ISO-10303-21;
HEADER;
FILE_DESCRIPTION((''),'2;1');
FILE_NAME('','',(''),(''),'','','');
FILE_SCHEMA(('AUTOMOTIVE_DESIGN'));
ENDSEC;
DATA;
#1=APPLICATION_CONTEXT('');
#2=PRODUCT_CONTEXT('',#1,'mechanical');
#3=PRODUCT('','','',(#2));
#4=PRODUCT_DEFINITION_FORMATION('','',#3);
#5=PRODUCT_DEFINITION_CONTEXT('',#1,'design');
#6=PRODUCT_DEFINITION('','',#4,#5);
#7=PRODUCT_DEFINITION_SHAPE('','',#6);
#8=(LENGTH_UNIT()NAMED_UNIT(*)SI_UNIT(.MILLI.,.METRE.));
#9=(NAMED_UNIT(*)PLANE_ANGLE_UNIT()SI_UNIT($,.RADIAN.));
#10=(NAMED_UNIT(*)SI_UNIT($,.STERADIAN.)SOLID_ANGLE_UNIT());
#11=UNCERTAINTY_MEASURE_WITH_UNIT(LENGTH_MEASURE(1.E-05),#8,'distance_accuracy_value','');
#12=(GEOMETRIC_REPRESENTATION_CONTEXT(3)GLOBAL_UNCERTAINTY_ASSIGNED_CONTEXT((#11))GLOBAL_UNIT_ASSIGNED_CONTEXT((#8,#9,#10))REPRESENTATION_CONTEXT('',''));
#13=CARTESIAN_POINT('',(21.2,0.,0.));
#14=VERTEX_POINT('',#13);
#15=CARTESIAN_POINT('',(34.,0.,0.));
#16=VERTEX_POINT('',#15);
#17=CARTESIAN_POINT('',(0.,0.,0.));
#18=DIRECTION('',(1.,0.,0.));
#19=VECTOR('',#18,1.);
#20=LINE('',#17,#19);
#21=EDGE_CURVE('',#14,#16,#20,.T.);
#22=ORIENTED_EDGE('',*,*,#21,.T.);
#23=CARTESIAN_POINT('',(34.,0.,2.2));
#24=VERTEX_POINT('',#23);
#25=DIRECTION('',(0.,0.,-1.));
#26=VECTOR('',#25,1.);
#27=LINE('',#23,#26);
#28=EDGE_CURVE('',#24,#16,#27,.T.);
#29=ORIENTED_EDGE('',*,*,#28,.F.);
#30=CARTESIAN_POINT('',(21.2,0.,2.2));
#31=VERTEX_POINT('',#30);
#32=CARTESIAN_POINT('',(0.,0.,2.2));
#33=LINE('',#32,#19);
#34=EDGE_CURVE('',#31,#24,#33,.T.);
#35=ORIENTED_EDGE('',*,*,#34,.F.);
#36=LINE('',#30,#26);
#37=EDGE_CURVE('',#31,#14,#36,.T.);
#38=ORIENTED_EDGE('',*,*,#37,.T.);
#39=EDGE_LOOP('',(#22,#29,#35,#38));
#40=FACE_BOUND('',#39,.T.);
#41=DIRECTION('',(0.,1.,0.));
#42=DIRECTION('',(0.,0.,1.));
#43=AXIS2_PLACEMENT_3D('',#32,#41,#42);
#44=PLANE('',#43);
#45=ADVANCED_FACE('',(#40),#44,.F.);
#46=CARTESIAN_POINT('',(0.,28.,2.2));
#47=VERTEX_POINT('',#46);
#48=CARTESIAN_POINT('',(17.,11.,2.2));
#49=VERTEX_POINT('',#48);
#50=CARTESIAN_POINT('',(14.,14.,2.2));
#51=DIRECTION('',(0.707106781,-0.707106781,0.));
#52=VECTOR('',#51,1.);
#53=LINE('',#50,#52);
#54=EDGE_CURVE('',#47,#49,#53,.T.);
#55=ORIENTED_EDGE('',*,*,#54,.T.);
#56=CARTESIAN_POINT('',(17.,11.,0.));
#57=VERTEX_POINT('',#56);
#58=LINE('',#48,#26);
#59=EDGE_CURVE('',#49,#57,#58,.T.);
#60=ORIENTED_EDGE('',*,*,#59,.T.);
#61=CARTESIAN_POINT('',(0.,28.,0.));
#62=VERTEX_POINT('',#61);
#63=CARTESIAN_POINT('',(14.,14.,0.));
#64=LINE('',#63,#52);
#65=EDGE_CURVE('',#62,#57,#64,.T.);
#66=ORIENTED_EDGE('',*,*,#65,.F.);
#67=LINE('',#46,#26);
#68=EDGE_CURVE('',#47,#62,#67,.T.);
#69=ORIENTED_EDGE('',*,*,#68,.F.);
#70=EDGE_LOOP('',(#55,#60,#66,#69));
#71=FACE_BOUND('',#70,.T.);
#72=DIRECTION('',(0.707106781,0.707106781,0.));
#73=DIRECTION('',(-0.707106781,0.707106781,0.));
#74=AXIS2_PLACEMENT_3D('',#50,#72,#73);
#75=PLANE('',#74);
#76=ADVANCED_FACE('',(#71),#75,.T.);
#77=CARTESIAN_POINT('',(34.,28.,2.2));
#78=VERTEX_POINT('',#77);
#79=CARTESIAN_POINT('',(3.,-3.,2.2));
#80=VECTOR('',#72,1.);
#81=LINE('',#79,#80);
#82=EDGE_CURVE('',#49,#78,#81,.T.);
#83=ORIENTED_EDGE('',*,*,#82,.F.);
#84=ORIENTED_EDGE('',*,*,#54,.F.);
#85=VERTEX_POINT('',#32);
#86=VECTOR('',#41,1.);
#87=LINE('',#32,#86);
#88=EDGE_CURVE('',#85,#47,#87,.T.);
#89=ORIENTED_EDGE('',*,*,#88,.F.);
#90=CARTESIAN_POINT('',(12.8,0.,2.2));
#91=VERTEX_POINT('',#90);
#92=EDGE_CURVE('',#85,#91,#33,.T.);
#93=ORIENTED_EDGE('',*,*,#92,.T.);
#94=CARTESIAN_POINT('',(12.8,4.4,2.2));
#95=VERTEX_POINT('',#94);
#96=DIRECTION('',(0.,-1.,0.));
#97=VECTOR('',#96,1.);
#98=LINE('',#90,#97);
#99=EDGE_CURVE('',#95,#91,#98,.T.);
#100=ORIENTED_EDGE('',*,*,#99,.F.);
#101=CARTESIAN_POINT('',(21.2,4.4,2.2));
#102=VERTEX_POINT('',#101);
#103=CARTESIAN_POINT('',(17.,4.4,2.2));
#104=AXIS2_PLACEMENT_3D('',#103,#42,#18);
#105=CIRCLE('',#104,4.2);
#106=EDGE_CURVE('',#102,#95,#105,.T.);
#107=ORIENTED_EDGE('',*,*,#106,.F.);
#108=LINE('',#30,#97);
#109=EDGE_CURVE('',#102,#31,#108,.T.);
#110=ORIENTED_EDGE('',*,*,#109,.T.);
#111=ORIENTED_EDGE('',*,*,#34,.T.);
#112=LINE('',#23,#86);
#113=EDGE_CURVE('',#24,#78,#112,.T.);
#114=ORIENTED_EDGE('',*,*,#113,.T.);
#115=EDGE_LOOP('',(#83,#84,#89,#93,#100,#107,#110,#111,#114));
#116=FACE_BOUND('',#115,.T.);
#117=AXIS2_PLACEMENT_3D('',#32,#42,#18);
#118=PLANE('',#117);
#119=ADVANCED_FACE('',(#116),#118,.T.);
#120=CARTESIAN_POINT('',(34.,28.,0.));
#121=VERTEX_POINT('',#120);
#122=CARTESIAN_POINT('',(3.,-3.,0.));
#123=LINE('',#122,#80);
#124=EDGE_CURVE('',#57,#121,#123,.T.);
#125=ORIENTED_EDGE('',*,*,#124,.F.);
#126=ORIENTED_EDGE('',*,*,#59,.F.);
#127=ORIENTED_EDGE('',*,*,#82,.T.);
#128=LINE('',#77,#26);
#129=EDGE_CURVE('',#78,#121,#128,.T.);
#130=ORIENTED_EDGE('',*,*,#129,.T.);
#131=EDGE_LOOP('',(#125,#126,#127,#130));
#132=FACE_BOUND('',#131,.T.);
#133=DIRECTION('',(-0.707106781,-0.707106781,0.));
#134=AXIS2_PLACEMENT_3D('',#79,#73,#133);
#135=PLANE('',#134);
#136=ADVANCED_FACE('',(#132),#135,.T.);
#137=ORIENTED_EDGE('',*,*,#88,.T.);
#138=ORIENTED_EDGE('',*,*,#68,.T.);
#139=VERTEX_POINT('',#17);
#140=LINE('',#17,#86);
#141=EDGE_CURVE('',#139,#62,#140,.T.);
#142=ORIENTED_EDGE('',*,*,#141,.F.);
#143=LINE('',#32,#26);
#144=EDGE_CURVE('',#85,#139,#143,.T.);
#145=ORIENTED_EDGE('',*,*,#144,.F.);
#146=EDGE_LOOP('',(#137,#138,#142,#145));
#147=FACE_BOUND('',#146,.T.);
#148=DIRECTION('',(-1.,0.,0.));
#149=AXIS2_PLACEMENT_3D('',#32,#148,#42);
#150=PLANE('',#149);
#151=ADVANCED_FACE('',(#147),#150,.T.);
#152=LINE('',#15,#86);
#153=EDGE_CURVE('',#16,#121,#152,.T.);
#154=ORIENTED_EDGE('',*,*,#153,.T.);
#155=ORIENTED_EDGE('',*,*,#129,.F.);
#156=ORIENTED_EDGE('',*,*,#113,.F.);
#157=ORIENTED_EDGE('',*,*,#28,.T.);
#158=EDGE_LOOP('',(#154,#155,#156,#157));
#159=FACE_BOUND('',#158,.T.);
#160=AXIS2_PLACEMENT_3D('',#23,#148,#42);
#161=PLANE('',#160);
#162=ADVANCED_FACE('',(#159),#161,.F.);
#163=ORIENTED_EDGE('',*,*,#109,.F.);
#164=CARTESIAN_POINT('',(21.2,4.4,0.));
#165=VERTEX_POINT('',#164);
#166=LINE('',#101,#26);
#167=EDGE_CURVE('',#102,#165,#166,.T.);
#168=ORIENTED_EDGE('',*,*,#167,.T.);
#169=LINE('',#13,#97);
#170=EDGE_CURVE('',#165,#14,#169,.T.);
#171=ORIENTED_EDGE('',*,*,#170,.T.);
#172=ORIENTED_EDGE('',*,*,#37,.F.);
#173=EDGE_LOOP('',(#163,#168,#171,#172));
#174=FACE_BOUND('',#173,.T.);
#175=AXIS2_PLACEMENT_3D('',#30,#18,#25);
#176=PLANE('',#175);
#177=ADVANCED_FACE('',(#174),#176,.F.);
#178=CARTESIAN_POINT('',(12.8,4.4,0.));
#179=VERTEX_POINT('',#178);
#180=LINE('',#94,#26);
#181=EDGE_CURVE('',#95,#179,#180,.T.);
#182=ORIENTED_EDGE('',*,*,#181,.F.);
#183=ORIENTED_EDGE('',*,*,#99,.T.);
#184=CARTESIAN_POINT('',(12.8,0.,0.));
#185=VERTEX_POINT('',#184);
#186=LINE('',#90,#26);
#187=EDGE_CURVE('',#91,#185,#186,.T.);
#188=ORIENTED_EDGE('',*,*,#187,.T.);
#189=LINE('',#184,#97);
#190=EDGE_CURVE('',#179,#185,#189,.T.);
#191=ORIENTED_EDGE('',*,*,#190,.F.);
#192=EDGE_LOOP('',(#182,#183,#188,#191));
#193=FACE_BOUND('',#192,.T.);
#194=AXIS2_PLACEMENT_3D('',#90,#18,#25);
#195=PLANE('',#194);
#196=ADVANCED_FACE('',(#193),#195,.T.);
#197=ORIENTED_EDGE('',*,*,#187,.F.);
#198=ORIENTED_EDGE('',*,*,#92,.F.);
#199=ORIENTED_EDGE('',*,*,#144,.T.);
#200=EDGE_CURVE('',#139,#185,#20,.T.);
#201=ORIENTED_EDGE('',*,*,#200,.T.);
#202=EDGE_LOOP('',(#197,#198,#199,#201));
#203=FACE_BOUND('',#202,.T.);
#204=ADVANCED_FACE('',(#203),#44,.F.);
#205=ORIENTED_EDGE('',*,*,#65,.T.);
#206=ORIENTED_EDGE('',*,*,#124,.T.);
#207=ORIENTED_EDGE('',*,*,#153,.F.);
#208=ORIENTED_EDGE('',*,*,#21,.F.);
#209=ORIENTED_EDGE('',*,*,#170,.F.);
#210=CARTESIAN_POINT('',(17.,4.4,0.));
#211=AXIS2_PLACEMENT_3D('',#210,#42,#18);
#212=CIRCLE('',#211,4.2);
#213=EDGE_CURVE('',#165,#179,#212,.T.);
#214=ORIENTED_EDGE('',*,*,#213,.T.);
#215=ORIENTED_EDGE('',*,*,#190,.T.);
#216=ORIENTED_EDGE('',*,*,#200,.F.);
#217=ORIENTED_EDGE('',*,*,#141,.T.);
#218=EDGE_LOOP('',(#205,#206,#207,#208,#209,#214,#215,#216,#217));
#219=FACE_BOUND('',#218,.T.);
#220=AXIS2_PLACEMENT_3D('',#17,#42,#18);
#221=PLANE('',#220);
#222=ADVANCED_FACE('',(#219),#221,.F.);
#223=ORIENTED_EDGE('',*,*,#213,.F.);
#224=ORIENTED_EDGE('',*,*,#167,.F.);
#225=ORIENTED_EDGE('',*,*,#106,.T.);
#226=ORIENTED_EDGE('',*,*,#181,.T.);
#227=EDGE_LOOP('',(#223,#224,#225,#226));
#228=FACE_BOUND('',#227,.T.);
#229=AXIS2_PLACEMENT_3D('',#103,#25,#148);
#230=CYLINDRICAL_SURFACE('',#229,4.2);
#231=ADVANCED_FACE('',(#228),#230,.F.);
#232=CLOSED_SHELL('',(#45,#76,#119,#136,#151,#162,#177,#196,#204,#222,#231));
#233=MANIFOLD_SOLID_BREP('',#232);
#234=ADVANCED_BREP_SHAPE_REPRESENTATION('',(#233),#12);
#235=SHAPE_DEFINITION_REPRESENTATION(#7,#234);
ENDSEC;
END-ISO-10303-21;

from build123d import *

# Parameters (mm, degrees)
BOSS_EXTRUDE1_DEPTH = 2.2


with BuildPart() as part:
    # Sketch1 → Boss-Extrude1 (new body)
    with BuildSketch(Plane.XY):
        with BuildLine():
            Line((17, 11), (0, 28))
            Line((0, 28), (0, 0))
            Line((0, 0), (12.8, 0))
            Line((12.8, 0), (12.8, 4.4))
            ThreePointArc((12.8, 4.4), (17, 8.6), (21.2, 4.4))
            Line((21.2, 4.4), (21.2, 0))
            Line((21.2, 0), (34, 0))
            Line((34, 0), (34, 28))
            Line((34, 28), (17, 11))
        make_face()
    extrude(amount=BOSS_EXTRUDE1_DEPTH)


solid = part.part
